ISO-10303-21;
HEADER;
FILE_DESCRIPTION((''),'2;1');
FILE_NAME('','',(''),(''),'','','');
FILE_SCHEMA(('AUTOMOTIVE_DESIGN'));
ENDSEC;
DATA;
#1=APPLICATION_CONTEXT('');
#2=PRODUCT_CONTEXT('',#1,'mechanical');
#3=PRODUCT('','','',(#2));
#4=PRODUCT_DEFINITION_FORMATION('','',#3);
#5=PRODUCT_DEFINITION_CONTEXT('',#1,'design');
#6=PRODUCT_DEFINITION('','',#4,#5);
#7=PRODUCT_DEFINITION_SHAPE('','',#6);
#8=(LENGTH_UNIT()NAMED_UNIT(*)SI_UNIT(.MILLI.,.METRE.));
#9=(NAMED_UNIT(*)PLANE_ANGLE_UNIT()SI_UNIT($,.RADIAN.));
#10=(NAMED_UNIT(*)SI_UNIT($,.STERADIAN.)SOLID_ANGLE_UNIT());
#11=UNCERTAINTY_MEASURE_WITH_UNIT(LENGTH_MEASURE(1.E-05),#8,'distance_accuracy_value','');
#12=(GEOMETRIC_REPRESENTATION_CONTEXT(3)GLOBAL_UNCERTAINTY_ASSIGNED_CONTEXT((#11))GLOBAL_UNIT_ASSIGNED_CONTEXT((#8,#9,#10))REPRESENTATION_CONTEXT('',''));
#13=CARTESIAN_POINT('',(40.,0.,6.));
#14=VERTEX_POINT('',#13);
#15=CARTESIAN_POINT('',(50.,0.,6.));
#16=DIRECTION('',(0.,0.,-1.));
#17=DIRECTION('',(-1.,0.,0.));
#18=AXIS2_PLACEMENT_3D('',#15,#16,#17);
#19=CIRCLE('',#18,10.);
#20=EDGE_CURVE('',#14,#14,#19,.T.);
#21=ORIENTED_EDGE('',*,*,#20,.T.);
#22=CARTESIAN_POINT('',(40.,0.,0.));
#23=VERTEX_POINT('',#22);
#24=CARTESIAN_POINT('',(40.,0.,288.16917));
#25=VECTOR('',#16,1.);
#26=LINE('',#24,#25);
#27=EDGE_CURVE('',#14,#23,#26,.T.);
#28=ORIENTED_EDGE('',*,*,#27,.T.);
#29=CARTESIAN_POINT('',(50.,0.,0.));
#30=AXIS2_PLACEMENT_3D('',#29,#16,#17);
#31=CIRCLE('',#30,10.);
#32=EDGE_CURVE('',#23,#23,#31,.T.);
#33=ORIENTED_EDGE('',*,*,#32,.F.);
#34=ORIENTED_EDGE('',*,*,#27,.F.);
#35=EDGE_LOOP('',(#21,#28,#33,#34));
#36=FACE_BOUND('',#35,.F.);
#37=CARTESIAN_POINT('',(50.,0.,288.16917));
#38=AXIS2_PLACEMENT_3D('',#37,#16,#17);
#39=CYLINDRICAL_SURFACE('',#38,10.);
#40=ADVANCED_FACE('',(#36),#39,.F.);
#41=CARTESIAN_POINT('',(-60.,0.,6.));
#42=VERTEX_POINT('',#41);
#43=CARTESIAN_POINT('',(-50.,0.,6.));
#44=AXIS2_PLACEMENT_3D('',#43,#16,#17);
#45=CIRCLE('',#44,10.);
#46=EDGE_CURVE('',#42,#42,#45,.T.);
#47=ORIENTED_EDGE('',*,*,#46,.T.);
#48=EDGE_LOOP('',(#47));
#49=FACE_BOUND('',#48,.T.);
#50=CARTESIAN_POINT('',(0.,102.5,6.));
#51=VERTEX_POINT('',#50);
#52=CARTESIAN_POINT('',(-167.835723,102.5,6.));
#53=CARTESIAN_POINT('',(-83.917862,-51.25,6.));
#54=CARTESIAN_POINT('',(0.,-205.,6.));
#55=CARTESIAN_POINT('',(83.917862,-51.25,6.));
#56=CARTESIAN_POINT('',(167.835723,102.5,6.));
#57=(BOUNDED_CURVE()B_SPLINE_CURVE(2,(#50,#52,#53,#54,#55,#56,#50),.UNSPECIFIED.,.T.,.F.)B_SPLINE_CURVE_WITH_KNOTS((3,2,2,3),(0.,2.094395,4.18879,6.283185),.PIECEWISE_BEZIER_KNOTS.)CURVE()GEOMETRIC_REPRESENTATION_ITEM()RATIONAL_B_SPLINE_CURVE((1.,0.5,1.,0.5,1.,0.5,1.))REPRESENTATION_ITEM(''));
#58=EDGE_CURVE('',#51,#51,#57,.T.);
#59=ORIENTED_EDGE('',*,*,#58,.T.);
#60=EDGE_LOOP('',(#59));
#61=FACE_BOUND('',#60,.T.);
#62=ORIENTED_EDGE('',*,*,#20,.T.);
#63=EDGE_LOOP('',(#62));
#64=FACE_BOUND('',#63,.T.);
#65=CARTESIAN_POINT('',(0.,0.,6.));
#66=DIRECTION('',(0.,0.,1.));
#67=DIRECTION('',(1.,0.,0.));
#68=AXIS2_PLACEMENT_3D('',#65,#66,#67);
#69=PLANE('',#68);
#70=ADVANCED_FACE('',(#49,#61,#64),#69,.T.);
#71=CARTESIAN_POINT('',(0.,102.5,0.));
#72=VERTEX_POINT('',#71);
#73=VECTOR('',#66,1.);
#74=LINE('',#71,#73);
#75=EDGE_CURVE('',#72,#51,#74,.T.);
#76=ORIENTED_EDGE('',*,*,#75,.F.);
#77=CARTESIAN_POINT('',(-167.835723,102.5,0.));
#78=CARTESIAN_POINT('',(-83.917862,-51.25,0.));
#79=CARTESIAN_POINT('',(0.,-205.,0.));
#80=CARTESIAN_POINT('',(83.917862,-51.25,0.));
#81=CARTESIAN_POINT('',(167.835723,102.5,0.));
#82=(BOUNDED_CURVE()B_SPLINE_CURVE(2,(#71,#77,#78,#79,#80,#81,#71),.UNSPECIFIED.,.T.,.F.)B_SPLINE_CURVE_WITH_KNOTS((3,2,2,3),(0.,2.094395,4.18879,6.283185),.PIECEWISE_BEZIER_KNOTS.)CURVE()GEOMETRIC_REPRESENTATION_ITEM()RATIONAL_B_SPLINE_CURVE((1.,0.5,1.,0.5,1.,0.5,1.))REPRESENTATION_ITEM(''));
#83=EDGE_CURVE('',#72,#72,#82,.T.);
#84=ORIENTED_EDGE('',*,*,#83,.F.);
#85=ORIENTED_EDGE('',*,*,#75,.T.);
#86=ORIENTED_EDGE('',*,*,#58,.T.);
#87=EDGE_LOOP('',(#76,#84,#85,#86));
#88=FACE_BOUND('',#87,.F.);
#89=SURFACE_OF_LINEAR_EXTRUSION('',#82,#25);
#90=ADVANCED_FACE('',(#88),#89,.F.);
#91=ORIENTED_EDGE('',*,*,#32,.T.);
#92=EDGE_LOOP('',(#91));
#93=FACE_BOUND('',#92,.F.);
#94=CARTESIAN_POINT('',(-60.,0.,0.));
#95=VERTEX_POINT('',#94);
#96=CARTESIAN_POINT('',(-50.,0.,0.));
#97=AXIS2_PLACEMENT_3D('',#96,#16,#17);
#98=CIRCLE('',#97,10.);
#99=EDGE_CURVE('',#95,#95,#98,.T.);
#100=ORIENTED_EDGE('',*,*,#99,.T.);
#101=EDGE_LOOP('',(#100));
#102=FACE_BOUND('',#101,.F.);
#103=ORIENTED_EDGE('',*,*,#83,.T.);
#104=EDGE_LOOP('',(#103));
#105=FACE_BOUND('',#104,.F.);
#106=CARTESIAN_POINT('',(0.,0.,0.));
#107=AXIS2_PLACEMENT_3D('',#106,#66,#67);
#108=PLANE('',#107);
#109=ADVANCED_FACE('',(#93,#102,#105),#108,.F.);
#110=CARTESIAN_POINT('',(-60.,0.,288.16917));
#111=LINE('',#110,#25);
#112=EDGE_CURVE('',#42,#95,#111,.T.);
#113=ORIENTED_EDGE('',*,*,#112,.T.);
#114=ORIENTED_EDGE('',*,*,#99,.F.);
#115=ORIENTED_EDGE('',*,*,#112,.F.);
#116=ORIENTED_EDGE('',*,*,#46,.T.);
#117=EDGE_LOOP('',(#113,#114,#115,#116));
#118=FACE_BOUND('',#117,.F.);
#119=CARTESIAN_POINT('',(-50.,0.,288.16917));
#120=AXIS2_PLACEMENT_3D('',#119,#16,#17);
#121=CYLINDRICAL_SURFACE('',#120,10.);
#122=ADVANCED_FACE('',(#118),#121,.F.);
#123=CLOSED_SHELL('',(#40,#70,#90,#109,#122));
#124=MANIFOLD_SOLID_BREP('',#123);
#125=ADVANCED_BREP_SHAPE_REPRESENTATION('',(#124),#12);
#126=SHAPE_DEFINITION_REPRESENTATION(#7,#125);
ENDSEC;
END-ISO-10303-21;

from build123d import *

# Parameters (mm, degrees)
F1_DEPTH = 6
F3_D     = 20


with BuildPart() as f1:
    # F0 (on Top) → F1 (new body)
    with BuildSketch(Plane.XY):
        with BuildLine():
            add(Edge.make_bspline(
                [(0, 102.5), (-167.835723, 102.5), (-83.917862, -51.25), (0, -205), (83.917862, -51.25), (167.835723, 102.5), (0, 102.5)],
                knots=[0, 0, 0, 2.094395, 2.094395, 4.18879, 4.18879, 6.283185, 6.283185, 6.283185], degree=2, weights=[1, 0.5, 1, 0.5, 1, 0.5, 1]))
        make_face()
    extrude(amount=F1_DEPTH)

    # F3 (through all)
    with Locations(Plane.XY.offset(6)):
        with Locations((-50, 0), (50, 0)):
            Hole(F3_D / 2)


solid = f1.part
